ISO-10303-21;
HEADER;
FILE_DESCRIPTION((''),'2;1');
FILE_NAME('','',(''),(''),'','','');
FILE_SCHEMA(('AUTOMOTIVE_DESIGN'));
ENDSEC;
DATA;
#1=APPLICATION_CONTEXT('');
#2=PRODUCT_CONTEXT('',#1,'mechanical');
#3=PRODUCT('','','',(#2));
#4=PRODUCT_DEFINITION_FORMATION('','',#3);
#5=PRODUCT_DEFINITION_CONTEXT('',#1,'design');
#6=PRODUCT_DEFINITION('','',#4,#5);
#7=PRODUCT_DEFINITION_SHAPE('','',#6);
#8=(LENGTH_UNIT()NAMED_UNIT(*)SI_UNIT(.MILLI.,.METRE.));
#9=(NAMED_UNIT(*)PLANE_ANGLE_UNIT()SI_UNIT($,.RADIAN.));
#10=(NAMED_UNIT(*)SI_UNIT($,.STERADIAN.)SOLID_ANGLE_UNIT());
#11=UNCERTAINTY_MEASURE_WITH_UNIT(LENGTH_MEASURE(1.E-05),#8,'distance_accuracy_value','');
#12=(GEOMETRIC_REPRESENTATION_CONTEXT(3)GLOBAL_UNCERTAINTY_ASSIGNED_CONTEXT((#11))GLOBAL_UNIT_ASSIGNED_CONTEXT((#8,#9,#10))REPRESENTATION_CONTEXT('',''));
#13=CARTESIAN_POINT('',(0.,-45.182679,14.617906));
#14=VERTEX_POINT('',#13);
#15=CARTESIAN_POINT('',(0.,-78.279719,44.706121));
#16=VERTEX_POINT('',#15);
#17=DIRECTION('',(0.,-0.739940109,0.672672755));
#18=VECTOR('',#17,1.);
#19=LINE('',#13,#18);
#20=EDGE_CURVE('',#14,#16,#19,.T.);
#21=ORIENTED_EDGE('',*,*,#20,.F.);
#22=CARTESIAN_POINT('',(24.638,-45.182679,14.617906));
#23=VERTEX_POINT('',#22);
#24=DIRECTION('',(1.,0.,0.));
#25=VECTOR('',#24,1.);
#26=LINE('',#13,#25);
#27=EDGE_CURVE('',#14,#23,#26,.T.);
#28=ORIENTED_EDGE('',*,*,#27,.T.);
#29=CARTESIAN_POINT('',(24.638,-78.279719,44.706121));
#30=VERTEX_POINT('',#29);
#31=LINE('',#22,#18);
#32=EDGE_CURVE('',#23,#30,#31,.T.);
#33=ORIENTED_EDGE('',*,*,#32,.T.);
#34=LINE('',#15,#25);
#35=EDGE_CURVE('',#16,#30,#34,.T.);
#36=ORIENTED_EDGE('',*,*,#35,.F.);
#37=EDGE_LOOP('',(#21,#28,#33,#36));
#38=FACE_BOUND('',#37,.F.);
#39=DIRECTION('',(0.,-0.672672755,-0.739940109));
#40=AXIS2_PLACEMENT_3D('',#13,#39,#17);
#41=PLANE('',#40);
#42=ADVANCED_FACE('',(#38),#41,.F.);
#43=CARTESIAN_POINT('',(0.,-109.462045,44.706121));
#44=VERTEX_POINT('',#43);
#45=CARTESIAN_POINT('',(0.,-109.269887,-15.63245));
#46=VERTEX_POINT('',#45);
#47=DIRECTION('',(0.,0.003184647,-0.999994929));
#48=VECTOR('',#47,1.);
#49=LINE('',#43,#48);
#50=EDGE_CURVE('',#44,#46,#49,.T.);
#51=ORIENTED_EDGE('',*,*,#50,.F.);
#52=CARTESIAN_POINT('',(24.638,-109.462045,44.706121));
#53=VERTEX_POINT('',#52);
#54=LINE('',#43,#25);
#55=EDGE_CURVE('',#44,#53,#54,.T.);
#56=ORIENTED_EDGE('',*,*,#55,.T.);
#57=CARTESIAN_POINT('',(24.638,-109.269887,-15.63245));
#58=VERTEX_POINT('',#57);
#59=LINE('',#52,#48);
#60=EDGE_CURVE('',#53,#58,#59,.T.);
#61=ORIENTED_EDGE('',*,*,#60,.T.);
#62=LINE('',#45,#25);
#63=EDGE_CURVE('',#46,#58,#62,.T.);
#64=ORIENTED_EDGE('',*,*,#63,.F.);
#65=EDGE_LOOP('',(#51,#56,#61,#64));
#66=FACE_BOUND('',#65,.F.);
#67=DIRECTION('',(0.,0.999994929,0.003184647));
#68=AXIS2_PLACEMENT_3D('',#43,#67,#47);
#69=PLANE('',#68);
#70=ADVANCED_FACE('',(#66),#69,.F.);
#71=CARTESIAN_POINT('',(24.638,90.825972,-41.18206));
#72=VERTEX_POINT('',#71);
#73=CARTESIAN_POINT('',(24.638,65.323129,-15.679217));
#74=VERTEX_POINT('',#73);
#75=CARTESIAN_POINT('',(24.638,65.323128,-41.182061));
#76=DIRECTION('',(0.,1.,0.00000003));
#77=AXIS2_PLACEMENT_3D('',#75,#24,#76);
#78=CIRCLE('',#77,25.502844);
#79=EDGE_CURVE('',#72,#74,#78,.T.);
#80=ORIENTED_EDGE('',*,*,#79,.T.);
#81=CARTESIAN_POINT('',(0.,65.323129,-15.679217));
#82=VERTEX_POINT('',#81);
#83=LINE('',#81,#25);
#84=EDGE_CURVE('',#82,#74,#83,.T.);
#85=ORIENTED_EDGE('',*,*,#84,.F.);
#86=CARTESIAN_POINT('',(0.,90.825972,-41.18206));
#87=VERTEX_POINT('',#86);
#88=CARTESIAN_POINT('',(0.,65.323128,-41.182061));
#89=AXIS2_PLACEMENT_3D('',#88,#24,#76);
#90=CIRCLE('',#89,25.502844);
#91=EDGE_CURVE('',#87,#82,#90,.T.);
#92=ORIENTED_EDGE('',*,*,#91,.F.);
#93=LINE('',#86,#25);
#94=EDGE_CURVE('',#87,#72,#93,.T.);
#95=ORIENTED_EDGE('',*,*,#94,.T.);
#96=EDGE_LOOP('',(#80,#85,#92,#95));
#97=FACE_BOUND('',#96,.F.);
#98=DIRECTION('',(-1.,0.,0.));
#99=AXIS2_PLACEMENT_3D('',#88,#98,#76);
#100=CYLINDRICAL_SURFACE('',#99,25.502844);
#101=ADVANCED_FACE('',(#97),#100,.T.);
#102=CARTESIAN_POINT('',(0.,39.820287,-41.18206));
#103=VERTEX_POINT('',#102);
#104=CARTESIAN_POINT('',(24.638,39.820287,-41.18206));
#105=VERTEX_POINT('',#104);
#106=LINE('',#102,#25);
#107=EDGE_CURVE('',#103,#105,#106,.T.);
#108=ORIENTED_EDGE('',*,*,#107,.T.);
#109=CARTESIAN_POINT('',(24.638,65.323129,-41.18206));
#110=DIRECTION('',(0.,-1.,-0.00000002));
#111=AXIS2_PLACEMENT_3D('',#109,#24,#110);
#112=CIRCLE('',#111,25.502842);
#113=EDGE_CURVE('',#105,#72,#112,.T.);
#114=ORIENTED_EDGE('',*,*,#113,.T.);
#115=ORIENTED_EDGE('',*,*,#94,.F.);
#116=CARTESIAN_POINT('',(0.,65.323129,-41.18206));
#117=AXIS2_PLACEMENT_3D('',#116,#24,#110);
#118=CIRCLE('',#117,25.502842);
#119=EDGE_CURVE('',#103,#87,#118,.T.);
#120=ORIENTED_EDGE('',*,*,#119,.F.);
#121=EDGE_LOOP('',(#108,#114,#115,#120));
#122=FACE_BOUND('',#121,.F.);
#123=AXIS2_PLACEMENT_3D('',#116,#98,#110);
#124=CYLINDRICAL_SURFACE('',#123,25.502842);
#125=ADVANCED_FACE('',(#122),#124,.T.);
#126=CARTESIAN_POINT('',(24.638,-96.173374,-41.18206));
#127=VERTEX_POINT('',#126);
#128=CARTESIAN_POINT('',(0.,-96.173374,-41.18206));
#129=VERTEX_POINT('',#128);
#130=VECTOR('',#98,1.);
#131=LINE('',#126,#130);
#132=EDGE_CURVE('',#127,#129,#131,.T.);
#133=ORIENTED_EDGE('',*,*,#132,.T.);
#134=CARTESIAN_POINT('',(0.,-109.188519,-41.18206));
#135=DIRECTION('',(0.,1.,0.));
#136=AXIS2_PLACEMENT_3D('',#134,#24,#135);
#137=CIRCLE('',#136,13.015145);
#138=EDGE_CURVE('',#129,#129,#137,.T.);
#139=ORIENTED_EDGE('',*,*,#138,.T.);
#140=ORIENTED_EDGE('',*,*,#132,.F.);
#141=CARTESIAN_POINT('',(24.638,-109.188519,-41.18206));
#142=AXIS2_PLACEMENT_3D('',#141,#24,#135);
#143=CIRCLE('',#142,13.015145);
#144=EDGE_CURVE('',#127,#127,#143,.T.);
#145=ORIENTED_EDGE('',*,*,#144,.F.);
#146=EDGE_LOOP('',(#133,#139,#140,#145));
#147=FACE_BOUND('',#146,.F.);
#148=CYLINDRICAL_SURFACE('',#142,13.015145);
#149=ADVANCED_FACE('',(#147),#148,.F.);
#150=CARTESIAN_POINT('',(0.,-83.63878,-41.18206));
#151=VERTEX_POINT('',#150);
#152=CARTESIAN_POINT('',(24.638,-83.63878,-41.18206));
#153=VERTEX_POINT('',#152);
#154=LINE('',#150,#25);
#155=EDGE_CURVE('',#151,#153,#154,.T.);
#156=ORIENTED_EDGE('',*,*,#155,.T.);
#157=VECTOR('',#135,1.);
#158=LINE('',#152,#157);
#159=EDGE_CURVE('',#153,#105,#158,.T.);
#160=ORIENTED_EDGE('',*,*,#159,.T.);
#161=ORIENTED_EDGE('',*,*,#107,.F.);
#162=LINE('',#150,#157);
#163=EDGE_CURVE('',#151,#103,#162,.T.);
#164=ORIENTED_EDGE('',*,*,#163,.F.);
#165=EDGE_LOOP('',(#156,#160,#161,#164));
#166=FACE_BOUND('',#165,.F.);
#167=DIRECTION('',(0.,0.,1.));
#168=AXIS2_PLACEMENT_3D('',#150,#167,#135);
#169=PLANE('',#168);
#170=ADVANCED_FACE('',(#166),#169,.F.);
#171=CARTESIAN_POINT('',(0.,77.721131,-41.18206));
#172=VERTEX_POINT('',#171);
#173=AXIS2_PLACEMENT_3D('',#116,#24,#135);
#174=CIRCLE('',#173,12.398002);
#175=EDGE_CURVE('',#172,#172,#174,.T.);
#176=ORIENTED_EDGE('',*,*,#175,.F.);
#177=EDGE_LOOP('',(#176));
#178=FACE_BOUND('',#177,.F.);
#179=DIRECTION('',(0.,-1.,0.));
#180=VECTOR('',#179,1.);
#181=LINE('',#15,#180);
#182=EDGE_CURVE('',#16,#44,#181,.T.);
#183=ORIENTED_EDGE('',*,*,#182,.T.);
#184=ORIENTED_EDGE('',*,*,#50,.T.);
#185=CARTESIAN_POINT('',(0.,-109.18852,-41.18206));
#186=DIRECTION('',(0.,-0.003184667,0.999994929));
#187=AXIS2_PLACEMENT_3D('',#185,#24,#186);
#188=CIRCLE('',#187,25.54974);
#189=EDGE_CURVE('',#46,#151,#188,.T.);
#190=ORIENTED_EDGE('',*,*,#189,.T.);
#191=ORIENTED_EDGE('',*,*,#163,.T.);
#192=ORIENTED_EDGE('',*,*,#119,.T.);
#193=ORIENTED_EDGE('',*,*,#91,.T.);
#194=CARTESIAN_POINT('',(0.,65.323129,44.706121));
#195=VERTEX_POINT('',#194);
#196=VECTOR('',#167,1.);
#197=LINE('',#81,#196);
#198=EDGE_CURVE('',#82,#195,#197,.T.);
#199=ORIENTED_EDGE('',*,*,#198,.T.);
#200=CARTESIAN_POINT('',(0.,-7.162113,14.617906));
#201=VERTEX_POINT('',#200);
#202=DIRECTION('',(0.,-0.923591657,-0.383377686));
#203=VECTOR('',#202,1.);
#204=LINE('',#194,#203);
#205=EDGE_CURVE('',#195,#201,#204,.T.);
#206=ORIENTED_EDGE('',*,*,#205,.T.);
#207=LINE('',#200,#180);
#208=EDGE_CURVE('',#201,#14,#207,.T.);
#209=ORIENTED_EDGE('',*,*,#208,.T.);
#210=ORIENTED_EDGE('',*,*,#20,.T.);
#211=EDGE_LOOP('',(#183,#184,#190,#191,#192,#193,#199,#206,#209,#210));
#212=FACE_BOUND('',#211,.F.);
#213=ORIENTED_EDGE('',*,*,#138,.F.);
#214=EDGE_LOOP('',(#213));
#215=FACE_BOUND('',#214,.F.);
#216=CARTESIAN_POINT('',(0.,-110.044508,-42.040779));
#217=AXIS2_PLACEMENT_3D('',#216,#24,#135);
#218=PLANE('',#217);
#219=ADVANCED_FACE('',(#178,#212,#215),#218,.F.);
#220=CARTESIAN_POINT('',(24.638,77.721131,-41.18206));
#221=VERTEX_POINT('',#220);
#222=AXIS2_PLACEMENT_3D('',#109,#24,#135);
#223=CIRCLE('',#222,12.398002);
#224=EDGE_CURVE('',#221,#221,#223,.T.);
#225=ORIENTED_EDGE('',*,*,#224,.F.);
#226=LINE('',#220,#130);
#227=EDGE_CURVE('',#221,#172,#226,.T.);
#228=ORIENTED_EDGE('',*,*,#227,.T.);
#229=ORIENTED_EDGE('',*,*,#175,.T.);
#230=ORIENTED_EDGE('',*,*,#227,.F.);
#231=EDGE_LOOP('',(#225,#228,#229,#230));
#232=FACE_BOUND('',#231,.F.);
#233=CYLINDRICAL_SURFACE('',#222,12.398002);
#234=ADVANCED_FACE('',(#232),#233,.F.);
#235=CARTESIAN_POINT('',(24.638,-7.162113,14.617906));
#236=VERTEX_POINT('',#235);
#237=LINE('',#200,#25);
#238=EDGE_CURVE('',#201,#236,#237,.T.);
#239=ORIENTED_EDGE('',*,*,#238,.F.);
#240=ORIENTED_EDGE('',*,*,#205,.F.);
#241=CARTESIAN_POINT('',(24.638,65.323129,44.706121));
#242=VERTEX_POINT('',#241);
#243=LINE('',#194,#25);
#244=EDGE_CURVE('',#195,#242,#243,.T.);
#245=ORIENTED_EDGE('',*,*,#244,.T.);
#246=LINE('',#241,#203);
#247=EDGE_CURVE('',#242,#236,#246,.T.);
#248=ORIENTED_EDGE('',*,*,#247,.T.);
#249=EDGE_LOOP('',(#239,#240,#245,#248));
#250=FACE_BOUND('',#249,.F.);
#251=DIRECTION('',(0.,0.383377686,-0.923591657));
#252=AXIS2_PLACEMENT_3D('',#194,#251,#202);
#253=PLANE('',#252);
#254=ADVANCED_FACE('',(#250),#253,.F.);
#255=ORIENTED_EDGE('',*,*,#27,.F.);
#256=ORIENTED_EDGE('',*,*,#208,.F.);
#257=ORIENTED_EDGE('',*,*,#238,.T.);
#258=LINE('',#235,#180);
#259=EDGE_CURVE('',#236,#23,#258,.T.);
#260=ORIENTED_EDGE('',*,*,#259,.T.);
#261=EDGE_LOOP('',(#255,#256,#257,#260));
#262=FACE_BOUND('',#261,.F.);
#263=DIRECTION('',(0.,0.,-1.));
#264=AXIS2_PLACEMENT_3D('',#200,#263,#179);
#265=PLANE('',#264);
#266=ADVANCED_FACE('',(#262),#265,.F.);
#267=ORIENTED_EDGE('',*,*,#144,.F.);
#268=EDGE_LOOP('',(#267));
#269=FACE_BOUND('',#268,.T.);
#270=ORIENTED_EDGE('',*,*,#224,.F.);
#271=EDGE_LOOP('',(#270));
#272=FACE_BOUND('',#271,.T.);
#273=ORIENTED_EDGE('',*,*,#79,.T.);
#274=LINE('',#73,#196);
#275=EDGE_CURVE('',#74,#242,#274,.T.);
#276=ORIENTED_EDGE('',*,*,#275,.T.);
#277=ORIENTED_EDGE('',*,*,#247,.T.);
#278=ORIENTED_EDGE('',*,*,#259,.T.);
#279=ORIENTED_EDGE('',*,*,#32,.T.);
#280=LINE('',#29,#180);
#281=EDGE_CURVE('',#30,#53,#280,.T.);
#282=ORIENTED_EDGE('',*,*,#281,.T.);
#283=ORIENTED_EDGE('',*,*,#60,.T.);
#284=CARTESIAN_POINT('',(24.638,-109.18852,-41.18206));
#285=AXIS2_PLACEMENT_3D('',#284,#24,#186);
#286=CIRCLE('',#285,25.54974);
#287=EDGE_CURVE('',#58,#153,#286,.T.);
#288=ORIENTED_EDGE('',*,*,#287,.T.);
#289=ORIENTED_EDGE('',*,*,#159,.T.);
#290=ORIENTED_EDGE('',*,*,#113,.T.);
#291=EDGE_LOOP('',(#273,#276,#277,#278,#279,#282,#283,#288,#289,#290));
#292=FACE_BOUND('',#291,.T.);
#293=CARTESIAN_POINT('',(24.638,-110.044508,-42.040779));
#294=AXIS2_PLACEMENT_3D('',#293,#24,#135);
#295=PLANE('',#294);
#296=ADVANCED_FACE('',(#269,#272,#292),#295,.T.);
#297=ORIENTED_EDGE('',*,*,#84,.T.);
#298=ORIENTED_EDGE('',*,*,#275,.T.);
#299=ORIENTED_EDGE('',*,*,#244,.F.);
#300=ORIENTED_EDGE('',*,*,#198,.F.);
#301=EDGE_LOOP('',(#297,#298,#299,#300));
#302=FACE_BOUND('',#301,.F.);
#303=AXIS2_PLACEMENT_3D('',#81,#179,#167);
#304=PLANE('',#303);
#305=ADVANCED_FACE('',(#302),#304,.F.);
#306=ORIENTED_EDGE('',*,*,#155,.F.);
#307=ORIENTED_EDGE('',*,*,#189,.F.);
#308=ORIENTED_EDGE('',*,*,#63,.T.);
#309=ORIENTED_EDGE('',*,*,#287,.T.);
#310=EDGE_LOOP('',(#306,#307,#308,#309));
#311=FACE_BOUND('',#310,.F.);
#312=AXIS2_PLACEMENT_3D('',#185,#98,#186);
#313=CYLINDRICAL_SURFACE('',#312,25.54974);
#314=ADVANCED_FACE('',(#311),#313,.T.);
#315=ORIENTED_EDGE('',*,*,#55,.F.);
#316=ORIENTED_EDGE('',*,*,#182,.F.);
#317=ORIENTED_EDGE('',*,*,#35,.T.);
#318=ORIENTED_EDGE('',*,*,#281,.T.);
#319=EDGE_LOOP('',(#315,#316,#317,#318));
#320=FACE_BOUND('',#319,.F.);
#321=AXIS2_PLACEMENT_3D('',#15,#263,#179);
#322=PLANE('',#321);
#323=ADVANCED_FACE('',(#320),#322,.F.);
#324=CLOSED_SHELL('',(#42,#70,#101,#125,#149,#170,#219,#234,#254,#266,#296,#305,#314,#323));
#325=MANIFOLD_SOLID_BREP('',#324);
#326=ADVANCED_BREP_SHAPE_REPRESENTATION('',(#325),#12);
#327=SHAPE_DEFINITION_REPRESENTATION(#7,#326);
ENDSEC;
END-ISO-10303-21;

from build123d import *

# Parameters (mm, degrees)
F1_DEPTH = 24.638
F2_R     = 13.015145
F2_R_2   = 12.398002
F3_DEPTH = 35.052


with BuildPart() as f1:
    # F0 (on Right) → F1 (new body)
    with BuildSketch(Plane.YZ):
        with BuildLine():
            Line((-109.188519, -41.18206), (-109.269887, -15.63245))
            ThreePointArc((-109.269887, -15.63245), (-127.226123, -59.277199), (-83.63878, -41.18206))
            Line((-83.63878, -41.18206), (-109.188519, -41.18206))
        make_face()
        with BuildLine():
            ThreePointArc((-83.63878, -41.18206), (-91.150916, -23.086921), (-109.269887, -15.63245))
            Line((-109.269887, -15.63245), (-109.188519, -41.18206))
            Line((-109.188519, -41.18206), (-83.63878, -41.18206))
        make_face()
        with BuildLine():
            Line((-78.279719, 44.706121), (-109.462045, 44.706121))
            Line((-109.462045, 44.706121), (-109.269887, -15.63245))
            ThreePointArc((-109.269887, -15.63245), (-91.150916, -23.086921), (-83.63878, -41.18206))
            Line((-83.63878, -41.18206), (39.820287, -41.18206))
            ThreePointArc((39.820287, -41.18206), (47.289896, -23.148827), (65.323129, -15.679217))
            Line((65.323129, -15.679217), (65.323129, 44.706121))
            Line((65.323129, 44.706121), (-7.162113, 14.617906))
            Line((-7.162113, 14.617906), (-45.182679, 14.617906))
            Line((-45.182679, 14.617906), (-78.279719, 44.706121))
        make_face()
        with BuildLine():
            Line((65.323129, -41.18206), (39.820287, -41.18206))
            ThreePointArc((39.820287, -41.18206), (65.323129, -66.684902), (90.825972, -41.18206))
            ThreePointArc((90.825972, -41.18206), (83.356362, -23.148827), (65.323129, -15.679217))
            Line((65.323129, -15.679217), (65.323129, -41.18206))
        make_face()
        with BuildLine():
            ThreePointArc((65.323129, -15.679217), (47.289896, -23.148827), (39.820287, -41.18206))
            Line((39.820287, -41.18206), (65.323129, -41.18206))
            Line((65.323129, -41.18206), (65.323129, -15.679217))
        make_face()
    extrude(amount=F1_DEPTH)

    # F2 (on face) → F3 (cut)
    with BuildSketch(Plane.YZ.offset(24.638)):
        with Locations((-109.188519, -41.18206)):
            Circle(F2_R)
        with Locations((65.323129, -41.18206)):
            Circle(F2_R_2)
    extrude(amount=-F3_DEPTH, mode=Mode.SUBTRACT)


solid = f1.part
